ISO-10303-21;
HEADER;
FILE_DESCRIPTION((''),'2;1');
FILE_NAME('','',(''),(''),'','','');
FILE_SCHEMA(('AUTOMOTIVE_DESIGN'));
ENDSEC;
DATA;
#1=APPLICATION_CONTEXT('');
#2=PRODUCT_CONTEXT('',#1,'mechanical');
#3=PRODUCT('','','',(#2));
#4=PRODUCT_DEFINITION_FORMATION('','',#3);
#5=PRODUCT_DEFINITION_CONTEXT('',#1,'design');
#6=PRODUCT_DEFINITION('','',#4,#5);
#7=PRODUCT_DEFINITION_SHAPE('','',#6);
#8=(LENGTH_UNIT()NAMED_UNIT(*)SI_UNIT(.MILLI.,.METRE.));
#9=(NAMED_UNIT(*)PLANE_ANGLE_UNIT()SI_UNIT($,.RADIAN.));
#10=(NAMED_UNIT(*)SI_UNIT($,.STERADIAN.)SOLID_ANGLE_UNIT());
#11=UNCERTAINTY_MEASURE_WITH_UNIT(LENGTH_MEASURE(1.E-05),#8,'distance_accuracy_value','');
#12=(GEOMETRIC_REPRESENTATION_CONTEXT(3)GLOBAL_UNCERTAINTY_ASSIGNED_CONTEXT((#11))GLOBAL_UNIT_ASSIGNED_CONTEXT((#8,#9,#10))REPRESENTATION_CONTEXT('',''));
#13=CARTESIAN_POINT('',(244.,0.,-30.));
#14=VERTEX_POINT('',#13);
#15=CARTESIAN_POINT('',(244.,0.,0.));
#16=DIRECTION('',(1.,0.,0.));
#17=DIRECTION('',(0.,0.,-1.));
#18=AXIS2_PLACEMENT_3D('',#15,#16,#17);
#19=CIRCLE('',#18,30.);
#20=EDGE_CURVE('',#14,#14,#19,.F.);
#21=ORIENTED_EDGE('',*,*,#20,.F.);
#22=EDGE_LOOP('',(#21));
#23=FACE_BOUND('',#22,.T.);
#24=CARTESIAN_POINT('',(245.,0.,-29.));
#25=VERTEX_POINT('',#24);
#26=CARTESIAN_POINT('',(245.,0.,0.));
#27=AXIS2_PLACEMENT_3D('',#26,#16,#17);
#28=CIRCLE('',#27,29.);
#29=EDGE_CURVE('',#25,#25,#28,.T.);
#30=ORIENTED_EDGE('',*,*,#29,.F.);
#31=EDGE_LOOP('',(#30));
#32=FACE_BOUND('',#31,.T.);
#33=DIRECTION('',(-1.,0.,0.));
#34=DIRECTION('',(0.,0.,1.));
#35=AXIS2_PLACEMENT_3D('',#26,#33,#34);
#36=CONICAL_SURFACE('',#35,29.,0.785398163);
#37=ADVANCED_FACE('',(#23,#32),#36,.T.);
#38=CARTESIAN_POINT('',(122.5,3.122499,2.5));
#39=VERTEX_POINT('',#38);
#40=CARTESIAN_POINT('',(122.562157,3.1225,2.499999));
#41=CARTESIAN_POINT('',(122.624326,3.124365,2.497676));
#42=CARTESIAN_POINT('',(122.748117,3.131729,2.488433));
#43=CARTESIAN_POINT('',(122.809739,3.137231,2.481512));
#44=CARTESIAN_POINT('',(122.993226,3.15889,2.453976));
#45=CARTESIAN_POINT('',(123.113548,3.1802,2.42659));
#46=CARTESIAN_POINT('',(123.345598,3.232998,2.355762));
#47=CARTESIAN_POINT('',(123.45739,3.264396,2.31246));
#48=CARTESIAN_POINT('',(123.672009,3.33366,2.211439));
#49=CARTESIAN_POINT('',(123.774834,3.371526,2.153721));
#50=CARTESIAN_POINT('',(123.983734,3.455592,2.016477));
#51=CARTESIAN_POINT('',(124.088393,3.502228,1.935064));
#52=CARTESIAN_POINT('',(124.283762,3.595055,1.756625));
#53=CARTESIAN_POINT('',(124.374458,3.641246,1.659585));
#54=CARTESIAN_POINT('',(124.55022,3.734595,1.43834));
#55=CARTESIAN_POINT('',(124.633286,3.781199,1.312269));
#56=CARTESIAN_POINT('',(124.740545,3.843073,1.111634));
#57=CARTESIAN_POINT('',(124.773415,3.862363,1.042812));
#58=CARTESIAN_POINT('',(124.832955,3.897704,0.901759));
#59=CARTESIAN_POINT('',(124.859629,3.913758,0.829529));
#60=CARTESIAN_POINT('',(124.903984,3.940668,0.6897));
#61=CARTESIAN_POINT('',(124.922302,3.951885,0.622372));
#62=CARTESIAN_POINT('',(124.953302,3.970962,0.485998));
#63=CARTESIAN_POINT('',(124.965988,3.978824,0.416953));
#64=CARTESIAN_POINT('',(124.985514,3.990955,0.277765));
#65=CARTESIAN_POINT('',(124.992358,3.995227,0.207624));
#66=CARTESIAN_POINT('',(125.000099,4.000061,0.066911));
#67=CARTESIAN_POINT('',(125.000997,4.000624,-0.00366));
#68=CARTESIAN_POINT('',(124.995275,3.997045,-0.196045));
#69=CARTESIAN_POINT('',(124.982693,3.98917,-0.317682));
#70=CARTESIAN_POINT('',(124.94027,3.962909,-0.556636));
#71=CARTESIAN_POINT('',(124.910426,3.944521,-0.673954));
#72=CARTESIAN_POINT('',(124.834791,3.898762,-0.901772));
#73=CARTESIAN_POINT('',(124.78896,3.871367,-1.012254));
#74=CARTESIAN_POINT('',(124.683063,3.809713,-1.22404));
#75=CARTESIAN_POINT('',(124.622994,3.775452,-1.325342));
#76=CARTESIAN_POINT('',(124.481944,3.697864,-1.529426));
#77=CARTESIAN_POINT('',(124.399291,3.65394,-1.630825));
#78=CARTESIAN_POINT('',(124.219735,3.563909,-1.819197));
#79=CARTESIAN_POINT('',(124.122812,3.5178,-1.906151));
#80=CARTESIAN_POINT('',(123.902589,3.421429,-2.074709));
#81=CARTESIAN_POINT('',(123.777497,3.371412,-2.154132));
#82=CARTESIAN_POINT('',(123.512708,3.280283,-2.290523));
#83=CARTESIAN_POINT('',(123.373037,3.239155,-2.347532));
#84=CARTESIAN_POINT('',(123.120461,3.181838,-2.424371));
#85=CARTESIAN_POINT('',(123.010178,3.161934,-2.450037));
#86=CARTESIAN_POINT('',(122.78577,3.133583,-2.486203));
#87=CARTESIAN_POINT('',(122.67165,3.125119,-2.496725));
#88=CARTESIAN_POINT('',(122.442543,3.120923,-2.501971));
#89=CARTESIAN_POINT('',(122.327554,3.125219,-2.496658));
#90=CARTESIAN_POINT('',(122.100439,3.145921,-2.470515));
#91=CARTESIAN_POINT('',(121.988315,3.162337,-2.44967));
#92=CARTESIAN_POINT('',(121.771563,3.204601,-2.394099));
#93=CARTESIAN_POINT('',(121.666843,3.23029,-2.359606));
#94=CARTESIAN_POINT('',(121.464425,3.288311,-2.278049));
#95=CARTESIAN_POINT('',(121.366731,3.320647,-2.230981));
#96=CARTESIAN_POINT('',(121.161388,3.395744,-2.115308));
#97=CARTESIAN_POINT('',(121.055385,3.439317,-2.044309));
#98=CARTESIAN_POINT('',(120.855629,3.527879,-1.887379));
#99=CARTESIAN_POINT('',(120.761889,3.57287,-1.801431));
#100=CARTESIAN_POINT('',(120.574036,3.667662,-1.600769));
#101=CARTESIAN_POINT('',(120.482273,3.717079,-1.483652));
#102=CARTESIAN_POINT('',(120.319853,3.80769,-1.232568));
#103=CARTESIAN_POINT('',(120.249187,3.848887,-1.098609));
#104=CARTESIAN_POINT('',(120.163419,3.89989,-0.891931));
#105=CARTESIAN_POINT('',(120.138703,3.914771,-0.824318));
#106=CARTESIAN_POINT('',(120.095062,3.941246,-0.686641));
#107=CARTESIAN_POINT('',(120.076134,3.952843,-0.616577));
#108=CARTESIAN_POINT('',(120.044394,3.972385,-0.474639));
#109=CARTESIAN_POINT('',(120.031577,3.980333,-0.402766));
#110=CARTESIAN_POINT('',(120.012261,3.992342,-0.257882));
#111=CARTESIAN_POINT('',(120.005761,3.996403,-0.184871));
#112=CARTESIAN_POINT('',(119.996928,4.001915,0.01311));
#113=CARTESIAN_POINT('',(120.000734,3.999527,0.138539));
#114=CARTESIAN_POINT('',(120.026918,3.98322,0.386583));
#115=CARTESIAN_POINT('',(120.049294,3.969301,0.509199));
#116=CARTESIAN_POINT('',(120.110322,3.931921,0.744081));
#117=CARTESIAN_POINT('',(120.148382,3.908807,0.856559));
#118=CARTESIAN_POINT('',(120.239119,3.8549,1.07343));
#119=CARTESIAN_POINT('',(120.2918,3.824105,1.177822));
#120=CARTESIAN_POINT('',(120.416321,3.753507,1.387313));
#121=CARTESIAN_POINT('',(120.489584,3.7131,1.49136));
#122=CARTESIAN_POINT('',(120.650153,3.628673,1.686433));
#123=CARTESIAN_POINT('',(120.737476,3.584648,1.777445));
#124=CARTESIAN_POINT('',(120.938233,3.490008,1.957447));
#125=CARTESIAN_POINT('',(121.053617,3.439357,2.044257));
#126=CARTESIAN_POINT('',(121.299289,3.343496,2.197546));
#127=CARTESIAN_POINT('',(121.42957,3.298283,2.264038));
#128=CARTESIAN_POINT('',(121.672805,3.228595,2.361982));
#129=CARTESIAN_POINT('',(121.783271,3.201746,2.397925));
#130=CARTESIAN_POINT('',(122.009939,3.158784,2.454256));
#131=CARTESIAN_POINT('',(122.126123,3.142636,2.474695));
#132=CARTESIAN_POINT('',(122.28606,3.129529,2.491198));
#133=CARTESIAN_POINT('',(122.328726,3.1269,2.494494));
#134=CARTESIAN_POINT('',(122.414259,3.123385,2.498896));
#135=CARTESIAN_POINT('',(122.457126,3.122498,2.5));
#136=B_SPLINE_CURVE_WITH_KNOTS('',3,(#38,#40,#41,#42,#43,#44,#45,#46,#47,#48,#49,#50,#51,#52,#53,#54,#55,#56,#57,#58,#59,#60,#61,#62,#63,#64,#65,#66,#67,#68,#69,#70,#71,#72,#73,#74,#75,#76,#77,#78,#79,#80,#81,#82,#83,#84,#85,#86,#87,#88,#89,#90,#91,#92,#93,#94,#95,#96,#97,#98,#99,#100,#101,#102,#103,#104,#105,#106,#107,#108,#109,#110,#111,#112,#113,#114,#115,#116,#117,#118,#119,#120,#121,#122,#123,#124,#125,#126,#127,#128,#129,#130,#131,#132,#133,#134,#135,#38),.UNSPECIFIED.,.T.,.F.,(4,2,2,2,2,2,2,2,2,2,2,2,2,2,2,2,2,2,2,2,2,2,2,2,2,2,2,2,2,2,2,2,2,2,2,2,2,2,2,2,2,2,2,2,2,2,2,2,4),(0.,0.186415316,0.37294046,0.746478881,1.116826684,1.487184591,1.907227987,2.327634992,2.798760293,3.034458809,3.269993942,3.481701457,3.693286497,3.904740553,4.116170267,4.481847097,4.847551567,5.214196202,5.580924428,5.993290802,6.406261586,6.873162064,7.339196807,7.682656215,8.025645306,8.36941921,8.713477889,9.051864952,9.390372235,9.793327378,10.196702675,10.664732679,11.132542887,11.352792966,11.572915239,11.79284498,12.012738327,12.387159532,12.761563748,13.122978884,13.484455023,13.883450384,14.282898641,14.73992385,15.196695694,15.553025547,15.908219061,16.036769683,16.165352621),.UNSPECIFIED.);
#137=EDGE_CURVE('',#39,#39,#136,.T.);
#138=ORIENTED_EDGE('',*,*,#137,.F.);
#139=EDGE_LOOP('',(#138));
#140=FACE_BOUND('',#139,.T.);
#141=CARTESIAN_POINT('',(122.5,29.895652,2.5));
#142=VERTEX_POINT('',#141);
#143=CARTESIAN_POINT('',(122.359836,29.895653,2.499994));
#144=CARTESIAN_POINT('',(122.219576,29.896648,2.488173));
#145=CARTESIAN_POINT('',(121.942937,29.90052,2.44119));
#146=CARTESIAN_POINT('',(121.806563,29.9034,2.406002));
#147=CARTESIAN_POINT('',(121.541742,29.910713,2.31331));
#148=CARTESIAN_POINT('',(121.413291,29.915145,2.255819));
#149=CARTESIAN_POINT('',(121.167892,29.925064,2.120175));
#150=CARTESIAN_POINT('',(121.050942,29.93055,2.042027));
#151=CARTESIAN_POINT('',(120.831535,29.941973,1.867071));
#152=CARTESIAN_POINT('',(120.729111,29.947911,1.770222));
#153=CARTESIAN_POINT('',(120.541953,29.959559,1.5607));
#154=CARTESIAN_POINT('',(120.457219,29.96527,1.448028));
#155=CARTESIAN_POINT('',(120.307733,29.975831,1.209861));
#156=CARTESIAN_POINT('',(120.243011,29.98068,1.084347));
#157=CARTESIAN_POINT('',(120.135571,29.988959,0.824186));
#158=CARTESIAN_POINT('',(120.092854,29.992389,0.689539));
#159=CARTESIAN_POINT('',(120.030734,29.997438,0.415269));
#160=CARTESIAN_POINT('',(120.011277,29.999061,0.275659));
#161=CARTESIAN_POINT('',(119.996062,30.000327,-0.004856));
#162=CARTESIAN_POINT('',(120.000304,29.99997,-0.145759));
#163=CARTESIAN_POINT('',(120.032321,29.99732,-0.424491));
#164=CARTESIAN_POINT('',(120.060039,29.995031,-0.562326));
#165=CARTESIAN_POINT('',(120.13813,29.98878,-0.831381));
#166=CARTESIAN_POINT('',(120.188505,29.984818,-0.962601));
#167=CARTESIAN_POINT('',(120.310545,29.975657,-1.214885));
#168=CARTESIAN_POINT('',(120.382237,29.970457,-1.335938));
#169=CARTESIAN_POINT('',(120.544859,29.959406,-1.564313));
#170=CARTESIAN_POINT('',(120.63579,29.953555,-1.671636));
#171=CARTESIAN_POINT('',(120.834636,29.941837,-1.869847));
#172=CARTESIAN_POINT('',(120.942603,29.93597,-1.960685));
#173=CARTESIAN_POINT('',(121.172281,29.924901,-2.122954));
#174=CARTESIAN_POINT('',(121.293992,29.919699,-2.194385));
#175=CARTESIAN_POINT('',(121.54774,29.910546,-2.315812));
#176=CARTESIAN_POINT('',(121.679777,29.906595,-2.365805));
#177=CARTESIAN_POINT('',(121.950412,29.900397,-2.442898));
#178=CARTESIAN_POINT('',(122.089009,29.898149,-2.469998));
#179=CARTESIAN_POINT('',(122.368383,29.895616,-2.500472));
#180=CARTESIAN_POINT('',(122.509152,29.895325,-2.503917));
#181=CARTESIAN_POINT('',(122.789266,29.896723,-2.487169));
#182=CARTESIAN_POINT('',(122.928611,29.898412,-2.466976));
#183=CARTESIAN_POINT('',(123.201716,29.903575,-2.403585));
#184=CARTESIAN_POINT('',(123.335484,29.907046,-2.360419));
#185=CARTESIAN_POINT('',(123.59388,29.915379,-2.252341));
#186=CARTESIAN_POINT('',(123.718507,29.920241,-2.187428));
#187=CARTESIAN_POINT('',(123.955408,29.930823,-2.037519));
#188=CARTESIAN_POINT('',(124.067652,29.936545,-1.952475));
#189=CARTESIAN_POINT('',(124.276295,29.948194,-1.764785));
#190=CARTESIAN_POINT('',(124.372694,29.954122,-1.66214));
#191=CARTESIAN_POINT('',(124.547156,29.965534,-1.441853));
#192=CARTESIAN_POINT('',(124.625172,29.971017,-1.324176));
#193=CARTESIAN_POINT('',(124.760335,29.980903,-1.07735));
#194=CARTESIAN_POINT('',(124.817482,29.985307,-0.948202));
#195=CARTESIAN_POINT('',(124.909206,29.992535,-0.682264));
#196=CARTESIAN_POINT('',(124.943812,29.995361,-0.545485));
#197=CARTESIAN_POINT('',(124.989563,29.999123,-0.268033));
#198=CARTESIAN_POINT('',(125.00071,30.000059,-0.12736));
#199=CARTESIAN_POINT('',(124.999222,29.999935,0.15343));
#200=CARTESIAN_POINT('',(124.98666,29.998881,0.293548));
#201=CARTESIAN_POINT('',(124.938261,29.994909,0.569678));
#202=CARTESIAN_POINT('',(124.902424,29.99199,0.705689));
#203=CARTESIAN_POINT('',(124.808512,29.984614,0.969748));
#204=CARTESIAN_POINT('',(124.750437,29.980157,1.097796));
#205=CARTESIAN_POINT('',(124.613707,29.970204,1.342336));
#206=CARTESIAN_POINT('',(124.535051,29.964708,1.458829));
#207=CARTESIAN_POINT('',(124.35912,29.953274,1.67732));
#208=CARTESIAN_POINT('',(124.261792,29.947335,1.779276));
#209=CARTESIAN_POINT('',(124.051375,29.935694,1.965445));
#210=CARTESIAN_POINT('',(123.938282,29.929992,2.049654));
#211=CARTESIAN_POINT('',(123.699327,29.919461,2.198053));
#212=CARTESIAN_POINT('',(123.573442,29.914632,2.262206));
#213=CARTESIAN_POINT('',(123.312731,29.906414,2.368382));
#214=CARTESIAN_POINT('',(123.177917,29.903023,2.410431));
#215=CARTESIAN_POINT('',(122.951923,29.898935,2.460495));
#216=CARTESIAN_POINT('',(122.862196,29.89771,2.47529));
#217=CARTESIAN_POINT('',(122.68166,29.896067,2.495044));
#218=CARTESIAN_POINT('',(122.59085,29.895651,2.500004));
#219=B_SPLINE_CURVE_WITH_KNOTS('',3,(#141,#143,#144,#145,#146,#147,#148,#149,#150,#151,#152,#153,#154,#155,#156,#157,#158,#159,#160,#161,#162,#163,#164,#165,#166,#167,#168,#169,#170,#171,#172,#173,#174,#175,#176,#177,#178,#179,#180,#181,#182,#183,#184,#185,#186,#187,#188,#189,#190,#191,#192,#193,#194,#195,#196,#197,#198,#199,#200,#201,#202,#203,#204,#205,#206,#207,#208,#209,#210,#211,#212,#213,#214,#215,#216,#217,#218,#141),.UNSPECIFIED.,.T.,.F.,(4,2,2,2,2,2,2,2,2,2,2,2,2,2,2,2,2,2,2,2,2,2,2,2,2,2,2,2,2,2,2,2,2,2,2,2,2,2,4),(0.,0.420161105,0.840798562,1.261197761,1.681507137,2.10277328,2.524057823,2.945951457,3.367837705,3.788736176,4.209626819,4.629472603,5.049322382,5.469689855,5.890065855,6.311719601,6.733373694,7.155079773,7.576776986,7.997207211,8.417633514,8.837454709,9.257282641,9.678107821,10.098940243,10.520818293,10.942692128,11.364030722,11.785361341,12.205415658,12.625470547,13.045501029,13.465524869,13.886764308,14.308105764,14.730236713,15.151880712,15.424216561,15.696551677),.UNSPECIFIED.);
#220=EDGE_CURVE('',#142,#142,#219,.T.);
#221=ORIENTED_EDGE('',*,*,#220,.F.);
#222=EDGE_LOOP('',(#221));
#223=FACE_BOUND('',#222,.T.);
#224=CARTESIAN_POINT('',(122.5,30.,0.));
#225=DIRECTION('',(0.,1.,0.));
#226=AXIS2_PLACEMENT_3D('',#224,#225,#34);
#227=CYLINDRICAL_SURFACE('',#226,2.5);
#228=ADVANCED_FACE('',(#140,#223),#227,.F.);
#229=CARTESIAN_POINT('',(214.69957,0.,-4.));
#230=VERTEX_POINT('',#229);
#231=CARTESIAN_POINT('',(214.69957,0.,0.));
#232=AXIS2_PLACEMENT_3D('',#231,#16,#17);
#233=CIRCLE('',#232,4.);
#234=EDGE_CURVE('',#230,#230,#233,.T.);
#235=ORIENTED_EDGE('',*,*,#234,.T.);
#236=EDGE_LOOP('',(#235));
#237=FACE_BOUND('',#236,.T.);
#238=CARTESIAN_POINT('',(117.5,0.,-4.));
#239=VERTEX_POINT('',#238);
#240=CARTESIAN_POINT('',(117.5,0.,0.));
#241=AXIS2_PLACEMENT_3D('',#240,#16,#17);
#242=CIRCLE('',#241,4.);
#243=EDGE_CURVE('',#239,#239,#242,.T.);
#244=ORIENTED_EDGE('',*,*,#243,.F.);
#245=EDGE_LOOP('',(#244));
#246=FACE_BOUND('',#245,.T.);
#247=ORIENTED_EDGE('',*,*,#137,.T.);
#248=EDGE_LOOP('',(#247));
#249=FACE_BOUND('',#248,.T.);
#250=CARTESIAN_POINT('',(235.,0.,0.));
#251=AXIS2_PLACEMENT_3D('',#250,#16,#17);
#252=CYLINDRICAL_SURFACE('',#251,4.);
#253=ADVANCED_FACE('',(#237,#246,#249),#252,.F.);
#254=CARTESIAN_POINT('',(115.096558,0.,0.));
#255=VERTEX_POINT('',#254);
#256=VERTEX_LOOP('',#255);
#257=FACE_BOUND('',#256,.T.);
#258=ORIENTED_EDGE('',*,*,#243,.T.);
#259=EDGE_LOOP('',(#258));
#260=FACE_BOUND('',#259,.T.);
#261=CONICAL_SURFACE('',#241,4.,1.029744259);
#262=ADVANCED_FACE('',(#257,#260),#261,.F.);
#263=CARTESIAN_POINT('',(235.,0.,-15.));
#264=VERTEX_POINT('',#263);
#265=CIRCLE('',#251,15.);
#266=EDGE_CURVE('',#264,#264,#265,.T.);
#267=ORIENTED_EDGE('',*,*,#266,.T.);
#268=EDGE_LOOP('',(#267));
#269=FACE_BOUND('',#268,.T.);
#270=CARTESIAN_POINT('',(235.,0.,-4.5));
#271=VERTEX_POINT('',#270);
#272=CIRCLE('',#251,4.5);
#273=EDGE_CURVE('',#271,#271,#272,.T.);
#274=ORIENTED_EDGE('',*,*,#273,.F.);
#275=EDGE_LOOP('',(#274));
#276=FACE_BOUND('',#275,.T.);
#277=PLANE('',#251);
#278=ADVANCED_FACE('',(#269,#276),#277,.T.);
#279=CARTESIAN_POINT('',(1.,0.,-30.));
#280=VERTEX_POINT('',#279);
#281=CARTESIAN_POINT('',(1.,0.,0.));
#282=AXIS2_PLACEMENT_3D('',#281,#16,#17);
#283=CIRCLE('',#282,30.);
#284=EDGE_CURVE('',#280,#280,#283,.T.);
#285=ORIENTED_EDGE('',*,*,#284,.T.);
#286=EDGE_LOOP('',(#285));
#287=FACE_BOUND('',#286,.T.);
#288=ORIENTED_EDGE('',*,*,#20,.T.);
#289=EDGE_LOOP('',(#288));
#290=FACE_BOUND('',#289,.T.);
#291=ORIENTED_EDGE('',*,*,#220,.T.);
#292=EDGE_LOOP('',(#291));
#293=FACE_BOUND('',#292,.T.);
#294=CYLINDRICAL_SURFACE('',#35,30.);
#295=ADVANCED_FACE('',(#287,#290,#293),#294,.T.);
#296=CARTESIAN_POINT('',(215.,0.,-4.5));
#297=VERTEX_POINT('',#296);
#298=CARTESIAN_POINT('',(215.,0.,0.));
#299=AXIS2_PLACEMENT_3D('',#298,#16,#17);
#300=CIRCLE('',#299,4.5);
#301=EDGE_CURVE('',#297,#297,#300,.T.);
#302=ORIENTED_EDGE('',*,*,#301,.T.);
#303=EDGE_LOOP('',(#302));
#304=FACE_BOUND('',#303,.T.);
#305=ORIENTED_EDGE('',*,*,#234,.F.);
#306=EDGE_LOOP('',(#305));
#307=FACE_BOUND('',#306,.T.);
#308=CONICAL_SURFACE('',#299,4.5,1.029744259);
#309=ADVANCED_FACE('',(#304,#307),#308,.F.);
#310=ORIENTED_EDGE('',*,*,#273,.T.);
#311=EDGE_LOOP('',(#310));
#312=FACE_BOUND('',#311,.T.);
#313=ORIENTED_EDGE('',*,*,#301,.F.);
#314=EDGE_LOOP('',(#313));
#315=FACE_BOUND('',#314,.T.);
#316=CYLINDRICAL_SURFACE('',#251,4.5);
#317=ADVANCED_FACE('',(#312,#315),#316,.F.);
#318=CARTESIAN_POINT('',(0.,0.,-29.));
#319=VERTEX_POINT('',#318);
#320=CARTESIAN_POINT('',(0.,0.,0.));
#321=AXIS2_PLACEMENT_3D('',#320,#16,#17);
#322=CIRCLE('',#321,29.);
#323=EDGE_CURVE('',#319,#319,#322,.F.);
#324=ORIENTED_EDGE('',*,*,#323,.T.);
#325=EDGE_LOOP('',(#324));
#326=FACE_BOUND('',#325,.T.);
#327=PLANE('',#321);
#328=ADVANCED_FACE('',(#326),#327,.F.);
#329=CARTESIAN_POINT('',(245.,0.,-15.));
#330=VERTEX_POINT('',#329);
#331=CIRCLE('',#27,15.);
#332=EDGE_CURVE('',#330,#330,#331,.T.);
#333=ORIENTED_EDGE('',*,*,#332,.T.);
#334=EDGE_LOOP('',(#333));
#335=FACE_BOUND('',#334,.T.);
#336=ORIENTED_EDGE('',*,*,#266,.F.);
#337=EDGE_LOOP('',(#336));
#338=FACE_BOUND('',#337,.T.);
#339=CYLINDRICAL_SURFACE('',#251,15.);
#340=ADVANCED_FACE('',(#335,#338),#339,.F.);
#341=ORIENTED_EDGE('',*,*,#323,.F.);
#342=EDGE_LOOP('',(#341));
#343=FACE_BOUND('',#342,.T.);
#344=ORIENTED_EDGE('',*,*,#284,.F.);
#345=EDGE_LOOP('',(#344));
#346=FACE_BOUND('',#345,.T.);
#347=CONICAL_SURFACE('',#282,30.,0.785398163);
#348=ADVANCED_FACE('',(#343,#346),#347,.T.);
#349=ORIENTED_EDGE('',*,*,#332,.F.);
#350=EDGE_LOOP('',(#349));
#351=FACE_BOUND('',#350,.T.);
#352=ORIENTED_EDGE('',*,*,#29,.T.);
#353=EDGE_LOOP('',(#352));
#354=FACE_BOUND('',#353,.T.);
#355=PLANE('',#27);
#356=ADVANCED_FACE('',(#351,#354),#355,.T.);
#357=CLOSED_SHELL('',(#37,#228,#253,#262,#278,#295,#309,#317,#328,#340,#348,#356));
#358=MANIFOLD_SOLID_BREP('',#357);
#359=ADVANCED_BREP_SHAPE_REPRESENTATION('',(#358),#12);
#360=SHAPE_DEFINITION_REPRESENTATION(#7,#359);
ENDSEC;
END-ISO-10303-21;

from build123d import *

# Parameters (mm, degrees)
SKETCH_1_R                = 30
EXTRUDE_1_DEPTH           = 245
CHAMFER_1_SIZE            = 1
SKETCH_2_R                = 15
CUT_EXTRUDE_1_DEPTH       = 10
HOLE_WIZARD_8_0_8_1_D     = 8
HOLE_WIZARD_8_0_8_1_DEPTH = 117.5
HOLE_WIZARD_8_0_8_1_TIP   = 2.403442476
M10X1_0_1_D               = 9
M10X1_0_1_DEPTH           = 20
M10X1_0_1_TIP             = 2.703872786
HOLE_WIZARD_5_0_5_1_D     = 5
HOLE_WIZARD_5_0_5_1_DEPTH = 30
HOLE_WIZARD_5_0_5_1_TIP   = 1.502151548


with BuildPart() as part:
    # 草图1 → 凸台-拉伸1 (new body)
    with BuildSketch(Plane(origin=(0, 0, 0), x_dir=(0, 0, -1), z_dir=(1, 0, 0))):
        Circle(SKETCH_1_R)
    extrude(amount=EXTRUDE_1_DEPTH)

    # 倒角1
    chamfer_1_edges = [part.edges().sort_by_distance(p)[0] for p in [
        (0, 0, 30),
        (245, 0, 30),
    ]]
    chamfer(chamfer_1_edges, length=CHAMFER_1_SIZE)

    # 草图2 → 切除-拉伸1 (cut)
    with BuildSketch(Plane(origin=(245, 0, 0), x_dir=(0, 0, -1), z_dir=(1, 0, 0))):
        Circle(SKETCH_2_R)
    extrude(amount=-CUT_EXTRUDE_1_DEPTH, mode=Mode.SUBTRACT)

    # Ø8.0 (8) 直径孔1
    with Locations(Plane(origin=(235, 0, 0), x_dir=(0, 0, -1), z_dir=(1, 0, 0))):
        with Locations((0, 0)):
            Hole(HOLE_WIZARD_8_0_8_1_D / 2, depth=HOLE_WIZARD_8_0_8_1_DEPTH)
            with Locations((0, 0, -(HOLE_WIZARD_8_0_8_1_DEPTH + HOLE_WIZARD_8_0_8_1_TIP / 2))):  # 118° drill point
                Cone(0, HOLE_WIZARD_8_0_8_1_D / 2, HOLE_WIZARD_8_0_8_1_TIP, mode=Mode.SUBTRACT)

    # M10x1.0 螺纹孔1
    with Locations(Plane(origin=(235, 0, 0), x_dir=(0, 0, -1), z_dir=(1, 0, 0))):
        with Locations((0, 0)):
            Hole(M10X1_0_1_D / 2, depth=M10X1_0_1_DEPTH)
            with Locations((0, 0, -(M10X1_0_1_DEPTH + M10X1_0_1_TIP / 2))):  # 118° drill point
                Cone(0, M10X1_0_1_D / 2, M10X1_0_1_TIP, mode=Mode.SUBTRACT)

    # Ø5.0 (5) 直径孔1
    with Locations(Plane(origin=(0, 30, 0), x_dir=(1, 0, 0), z_dir=(0, 1, 0))):
        with Locations((122.5, 0)):
            Hole(HOLE_WIZARD_5_0_5_1_D / 2, depth=HOLE_WIZARD_5_0_5_1_DEPTH)
            with Locations((0, 0, -(HOLE_WIZARD_5_0_5_1_DEPTH + HOLE_WIZARD_5_0_5_1_TIP / 2))):  # 118° drill point
                Cone(0, HOLE_WIZARD_5_0_5_1_D / 2, HOLE_WIZARD_5_0_5_1_TIP, mode=Mode.SUBTRACT)


solid = part.part
